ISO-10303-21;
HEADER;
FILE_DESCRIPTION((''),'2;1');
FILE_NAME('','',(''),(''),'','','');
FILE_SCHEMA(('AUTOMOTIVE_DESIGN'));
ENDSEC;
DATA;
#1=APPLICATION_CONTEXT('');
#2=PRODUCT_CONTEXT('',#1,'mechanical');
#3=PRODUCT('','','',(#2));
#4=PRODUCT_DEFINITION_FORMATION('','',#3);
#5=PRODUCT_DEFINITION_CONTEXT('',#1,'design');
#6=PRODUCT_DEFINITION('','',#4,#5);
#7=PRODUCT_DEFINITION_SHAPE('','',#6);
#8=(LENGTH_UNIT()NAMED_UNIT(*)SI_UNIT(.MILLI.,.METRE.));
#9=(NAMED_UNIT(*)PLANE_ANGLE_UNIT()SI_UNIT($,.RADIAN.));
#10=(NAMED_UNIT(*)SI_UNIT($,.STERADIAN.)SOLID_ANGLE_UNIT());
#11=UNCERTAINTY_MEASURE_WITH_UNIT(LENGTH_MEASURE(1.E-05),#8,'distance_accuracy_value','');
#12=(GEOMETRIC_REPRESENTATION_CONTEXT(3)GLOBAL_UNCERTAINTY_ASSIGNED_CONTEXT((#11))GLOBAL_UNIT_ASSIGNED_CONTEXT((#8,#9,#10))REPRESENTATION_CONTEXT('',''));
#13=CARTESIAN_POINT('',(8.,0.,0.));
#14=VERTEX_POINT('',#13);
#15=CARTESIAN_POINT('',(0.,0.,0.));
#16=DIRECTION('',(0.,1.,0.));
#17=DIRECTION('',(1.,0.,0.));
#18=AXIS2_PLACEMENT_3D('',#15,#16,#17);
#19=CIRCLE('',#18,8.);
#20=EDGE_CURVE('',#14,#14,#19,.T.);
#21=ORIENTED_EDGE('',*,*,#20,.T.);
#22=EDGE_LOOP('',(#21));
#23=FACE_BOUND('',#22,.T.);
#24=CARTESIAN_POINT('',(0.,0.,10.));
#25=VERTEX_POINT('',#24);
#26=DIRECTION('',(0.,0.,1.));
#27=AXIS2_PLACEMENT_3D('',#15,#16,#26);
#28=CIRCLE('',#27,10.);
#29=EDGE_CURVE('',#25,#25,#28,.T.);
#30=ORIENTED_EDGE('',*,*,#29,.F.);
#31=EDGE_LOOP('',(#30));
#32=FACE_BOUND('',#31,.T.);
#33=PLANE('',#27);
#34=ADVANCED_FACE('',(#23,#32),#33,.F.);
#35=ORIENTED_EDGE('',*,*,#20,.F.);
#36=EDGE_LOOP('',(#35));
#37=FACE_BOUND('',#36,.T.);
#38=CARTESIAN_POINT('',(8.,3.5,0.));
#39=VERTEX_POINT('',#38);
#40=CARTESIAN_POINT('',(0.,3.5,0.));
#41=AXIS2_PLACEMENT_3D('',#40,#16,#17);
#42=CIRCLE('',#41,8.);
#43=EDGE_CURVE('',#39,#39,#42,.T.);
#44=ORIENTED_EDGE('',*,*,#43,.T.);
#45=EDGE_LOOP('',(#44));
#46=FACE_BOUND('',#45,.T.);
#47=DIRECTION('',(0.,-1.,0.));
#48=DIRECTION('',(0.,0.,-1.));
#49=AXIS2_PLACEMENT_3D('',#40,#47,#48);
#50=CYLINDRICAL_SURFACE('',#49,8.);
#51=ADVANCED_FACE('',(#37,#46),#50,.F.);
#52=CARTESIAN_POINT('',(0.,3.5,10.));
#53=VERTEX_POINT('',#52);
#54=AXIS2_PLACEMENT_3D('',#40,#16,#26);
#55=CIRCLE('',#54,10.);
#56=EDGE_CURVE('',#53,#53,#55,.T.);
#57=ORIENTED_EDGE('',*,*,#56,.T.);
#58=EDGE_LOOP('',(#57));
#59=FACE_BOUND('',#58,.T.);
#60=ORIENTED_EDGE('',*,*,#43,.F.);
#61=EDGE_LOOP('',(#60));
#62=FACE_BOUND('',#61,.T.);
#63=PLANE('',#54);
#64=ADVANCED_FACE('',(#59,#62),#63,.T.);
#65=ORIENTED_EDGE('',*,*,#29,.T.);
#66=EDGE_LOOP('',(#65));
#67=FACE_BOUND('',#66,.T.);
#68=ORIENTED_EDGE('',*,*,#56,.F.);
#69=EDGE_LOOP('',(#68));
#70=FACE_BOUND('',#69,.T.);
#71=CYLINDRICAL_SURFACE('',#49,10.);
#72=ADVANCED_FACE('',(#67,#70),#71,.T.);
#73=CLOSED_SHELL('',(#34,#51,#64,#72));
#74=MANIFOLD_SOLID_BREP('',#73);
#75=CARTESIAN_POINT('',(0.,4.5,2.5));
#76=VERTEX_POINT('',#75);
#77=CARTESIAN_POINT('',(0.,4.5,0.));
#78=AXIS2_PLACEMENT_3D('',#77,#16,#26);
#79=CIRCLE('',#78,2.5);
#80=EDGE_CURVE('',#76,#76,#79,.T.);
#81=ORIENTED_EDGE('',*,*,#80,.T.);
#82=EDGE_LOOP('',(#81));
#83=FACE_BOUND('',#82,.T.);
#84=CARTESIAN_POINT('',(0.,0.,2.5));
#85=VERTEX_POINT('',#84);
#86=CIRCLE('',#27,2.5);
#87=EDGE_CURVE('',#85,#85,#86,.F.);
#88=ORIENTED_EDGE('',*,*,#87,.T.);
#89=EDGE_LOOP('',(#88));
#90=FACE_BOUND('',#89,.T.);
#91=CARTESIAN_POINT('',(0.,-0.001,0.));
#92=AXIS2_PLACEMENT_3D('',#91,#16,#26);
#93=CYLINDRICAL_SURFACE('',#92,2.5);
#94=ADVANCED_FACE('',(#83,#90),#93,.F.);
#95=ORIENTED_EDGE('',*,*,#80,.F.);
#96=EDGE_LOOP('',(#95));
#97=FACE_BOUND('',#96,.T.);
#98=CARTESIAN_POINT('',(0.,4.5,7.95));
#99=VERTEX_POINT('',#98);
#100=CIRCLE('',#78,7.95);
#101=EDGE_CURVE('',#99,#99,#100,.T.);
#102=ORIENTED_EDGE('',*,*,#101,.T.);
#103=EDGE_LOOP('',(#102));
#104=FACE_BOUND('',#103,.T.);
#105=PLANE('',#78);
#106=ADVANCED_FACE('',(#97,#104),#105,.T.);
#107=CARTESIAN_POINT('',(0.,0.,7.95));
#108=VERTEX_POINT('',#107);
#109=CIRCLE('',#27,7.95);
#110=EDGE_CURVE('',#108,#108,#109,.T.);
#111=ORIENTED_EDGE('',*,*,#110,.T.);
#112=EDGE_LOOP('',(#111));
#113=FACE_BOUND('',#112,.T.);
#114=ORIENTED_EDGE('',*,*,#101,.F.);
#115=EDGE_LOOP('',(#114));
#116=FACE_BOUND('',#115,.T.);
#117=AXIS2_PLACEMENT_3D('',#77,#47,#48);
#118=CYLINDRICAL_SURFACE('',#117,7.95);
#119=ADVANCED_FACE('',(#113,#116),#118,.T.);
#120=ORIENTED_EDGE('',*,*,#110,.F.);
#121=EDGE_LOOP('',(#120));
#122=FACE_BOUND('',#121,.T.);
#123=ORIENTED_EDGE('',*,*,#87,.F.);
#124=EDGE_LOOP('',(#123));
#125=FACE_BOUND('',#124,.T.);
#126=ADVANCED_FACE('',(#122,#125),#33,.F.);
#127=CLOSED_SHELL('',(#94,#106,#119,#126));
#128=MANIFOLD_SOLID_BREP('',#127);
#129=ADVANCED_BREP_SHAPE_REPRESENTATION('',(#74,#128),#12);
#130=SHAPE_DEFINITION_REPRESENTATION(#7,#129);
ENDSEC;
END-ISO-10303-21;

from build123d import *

# Parameters (mm, degrees)
SKETCH1_R                = 10
SKETCH1_R_2              = 8
EXTRUDE_THIN1_DEPTH      = 3.5
BOSS_EXTRUDE1_DEPTH      = 1
BOSS_EXTRUDE1_DEPTH_BACK = 3.5
SKETCH2_R                = 7.95
SKETCH3_R                = 2.5
CUT_EXTRUDE1_DEPTH       = 4.5


with BuildPart() as part:
    # Sketch1 → Extrude-Thin1 (new body)
    with BuildSketch(Plane(origin=(0, 0, 0), x_dir=(1, 0, 0), z_dir=(0, 1, 0))):
        Circle(SKETCH1_R)
        Circle(SKETCH1_R_2, mode=Mode.SUBTRACT)
    extrude(amount=EXTRUDE_THIN1_DEPTH)


with BuildPart() as body_2:
    # Sketch2 → Boss-Extrude1 (new, two sides: drawn at the far end of the back side and taken through both)
    with BuildSketch(Plane(origin=(0, 3.5, 0), x_dir=(1, 0, 0), z_dir=(0, 1, 0)).offset(-BOSS_EXTRUDE1_DEPTH_BACK)):
        with Locations(Location((0, 0, 0), (0, 0, 270))):
            Circle(SKETCH2_R)
    extrude(amount=BOSS_EXTRUDE1_DEPTH + BOSS_EXTRUDE1_DEPTH_BACK)

    # Sketch3 → Cut-Extrude1 (cut)
    with BuildSketch(Plane(origin=(0, 4.5, 0), x_dir=(1, 0, 0), z_dir=(0, 1, 0))):
        with Locations(Location((0, 0, 0), (0, 0, 270))):
            Circle(SKETCH3_R)
    extrude(amount=-CUT_EXTRUDE1_DEPTH, mode=Mode.SUBTRACT)


solid = Compound([part.part, body_2.part])
